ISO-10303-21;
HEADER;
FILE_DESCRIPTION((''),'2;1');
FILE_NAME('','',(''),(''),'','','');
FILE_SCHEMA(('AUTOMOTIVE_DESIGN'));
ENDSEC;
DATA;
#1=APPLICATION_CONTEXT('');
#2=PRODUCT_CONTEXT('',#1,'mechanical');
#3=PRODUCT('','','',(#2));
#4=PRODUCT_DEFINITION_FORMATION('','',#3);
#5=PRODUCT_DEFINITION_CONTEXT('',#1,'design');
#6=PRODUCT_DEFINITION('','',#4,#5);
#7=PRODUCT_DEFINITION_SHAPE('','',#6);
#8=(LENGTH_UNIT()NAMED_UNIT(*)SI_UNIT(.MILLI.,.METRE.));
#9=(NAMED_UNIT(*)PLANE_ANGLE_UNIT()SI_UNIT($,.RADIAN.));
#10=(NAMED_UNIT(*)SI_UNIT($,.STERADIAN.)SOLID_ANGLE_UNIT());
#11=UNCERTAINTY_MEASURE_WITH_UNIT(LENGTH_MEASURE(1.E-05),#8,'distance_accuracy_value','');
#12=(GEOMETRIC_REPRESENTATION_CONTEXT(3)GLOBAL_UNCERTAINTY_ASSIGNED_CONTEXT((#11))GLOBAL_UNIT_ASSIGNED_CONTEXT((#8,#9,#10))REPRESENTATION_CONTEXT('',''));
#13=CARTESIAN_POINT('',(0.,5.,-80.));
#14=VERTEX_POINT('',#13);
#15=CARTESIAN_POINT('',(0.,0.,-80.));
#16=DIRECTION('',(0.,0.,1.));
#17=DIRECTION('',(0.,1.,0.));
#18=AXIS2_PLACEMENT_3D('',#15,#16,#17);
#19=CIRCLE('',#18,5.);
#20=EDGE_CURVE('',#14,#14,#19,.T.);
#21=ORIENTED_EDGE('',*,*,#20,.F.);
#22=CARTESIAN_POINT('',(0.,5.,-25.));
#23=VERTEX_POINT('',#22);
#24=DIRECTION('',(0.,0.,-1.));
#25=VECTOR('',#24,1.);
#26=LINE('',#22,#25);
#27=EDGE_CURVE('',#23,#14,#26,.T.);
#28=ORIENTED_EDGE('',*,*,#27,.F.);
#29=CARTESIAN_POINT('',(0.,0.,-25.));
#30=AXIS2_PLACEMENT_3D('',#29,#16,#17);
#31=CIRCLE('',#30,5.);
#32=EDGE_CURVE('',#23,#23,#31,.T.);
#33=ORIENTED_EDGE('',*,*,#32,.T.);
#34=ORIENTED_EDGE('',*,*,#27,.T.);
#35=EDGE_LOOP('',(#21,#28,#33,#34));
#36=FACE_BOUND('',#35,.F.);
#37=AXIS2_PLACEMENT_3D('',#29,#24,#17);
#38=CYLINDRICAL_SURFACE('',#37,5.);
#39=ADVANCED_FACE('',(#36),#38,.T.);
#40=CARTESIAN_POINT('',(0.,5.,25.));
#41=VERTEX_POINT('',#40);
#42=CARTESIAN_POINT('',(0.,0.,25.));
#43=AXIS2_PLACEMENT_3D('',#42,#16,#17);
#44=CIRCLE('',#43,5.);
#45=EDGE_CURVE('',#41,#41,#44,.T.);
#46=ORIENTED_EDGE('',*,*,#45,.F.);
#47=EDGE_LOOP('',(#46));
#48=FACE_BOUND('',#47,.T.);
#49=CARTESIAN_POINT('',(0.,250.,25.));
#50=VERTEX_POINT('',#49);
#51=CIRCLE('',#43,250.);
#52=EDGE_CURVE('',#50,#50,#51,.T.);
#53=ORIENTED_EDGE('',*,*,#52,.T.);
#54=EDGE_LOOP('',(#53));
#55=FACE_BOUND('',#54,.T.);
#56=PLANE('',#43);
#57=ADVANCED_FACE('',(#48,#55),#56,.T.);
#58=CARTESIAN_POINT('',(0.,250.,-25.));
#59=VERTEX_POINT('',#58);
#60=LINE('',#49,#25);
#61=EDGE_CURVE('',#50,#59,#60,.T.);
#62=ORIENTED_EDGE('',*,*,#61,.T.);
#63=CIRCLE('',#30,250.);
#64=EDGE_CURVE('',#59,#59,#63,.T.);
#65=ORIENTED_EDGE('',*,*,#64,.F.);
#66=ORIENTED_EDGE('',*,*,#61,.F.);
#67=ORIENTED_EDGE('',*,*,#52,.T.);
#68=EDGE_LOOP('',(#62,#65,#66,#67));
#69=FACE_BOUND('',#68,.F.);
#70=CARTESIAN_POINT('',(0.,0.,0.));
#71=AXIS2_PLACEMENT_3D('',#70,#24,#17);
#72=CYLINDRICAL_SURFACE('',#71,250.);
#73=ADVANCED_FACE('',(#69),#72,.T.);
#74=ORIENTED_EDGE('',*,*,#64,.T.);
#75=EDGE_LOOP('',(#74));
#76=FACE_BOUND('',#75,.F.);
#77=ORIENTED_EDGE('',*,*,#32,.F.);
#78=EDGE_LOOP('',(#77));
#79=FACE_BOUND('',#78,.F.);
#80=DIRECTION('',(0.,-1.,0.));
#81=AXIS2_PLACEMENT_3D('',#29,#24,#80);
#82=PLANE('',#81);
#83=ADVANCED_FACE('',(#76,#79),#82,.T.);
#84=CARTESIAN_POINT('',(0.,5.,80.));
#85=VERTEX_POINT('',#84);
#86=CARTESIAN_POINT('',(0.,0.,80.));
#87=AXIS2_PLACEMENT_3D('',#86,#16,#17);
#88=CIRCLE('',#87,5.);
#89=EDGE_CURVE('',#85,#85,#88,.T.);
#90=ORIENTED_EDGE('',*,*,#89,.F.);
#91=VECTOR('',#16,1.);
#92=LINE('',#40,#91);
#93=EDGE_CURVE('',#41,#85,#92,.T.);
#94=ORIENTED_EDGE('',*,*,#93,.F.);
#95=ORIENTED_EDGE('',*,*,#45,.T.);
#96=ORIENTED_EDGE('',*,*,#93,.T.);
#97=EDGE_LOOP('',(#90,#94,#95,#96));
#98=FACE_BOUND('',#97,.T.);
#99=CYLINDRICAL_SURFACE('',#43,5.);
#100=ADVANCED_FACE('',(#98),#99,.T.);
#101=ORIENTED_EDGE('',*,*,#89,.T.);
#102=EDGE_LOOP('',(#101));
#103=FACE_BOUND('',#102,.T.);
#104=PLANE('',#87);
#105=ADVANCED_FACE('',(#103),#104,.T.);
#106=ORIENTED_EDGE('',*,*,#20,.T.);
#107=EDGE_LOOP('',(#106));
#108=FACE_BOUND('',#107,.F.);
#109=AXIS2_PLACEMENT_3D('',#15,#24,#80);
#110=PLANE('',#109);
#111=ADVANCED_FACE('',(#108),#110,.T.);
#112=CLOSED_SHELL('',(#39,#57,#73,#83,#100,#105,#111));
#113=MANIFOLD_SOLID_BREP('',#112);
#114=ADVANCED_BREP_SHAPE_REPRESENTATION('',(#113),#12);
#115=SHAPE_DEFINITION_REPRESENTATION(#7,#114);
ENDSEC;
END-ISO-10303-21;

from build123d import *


with BuildPart() as part:
    # Sketch → Revolution (revolve)
    with BuildSketch(Plane.YZ):
        Polygon((250, 0), (250, 25), (5, 25), (5, 80), (0, 80), (0, 0), align=None)
    revolution = revolve(axis=Axis((0, 0, 0), (0, 0, 1)))

    # Mirrored: Revolution across Sketch H_Axis
    add(revolution.mirror(Plane.XY))


solid = part.part
